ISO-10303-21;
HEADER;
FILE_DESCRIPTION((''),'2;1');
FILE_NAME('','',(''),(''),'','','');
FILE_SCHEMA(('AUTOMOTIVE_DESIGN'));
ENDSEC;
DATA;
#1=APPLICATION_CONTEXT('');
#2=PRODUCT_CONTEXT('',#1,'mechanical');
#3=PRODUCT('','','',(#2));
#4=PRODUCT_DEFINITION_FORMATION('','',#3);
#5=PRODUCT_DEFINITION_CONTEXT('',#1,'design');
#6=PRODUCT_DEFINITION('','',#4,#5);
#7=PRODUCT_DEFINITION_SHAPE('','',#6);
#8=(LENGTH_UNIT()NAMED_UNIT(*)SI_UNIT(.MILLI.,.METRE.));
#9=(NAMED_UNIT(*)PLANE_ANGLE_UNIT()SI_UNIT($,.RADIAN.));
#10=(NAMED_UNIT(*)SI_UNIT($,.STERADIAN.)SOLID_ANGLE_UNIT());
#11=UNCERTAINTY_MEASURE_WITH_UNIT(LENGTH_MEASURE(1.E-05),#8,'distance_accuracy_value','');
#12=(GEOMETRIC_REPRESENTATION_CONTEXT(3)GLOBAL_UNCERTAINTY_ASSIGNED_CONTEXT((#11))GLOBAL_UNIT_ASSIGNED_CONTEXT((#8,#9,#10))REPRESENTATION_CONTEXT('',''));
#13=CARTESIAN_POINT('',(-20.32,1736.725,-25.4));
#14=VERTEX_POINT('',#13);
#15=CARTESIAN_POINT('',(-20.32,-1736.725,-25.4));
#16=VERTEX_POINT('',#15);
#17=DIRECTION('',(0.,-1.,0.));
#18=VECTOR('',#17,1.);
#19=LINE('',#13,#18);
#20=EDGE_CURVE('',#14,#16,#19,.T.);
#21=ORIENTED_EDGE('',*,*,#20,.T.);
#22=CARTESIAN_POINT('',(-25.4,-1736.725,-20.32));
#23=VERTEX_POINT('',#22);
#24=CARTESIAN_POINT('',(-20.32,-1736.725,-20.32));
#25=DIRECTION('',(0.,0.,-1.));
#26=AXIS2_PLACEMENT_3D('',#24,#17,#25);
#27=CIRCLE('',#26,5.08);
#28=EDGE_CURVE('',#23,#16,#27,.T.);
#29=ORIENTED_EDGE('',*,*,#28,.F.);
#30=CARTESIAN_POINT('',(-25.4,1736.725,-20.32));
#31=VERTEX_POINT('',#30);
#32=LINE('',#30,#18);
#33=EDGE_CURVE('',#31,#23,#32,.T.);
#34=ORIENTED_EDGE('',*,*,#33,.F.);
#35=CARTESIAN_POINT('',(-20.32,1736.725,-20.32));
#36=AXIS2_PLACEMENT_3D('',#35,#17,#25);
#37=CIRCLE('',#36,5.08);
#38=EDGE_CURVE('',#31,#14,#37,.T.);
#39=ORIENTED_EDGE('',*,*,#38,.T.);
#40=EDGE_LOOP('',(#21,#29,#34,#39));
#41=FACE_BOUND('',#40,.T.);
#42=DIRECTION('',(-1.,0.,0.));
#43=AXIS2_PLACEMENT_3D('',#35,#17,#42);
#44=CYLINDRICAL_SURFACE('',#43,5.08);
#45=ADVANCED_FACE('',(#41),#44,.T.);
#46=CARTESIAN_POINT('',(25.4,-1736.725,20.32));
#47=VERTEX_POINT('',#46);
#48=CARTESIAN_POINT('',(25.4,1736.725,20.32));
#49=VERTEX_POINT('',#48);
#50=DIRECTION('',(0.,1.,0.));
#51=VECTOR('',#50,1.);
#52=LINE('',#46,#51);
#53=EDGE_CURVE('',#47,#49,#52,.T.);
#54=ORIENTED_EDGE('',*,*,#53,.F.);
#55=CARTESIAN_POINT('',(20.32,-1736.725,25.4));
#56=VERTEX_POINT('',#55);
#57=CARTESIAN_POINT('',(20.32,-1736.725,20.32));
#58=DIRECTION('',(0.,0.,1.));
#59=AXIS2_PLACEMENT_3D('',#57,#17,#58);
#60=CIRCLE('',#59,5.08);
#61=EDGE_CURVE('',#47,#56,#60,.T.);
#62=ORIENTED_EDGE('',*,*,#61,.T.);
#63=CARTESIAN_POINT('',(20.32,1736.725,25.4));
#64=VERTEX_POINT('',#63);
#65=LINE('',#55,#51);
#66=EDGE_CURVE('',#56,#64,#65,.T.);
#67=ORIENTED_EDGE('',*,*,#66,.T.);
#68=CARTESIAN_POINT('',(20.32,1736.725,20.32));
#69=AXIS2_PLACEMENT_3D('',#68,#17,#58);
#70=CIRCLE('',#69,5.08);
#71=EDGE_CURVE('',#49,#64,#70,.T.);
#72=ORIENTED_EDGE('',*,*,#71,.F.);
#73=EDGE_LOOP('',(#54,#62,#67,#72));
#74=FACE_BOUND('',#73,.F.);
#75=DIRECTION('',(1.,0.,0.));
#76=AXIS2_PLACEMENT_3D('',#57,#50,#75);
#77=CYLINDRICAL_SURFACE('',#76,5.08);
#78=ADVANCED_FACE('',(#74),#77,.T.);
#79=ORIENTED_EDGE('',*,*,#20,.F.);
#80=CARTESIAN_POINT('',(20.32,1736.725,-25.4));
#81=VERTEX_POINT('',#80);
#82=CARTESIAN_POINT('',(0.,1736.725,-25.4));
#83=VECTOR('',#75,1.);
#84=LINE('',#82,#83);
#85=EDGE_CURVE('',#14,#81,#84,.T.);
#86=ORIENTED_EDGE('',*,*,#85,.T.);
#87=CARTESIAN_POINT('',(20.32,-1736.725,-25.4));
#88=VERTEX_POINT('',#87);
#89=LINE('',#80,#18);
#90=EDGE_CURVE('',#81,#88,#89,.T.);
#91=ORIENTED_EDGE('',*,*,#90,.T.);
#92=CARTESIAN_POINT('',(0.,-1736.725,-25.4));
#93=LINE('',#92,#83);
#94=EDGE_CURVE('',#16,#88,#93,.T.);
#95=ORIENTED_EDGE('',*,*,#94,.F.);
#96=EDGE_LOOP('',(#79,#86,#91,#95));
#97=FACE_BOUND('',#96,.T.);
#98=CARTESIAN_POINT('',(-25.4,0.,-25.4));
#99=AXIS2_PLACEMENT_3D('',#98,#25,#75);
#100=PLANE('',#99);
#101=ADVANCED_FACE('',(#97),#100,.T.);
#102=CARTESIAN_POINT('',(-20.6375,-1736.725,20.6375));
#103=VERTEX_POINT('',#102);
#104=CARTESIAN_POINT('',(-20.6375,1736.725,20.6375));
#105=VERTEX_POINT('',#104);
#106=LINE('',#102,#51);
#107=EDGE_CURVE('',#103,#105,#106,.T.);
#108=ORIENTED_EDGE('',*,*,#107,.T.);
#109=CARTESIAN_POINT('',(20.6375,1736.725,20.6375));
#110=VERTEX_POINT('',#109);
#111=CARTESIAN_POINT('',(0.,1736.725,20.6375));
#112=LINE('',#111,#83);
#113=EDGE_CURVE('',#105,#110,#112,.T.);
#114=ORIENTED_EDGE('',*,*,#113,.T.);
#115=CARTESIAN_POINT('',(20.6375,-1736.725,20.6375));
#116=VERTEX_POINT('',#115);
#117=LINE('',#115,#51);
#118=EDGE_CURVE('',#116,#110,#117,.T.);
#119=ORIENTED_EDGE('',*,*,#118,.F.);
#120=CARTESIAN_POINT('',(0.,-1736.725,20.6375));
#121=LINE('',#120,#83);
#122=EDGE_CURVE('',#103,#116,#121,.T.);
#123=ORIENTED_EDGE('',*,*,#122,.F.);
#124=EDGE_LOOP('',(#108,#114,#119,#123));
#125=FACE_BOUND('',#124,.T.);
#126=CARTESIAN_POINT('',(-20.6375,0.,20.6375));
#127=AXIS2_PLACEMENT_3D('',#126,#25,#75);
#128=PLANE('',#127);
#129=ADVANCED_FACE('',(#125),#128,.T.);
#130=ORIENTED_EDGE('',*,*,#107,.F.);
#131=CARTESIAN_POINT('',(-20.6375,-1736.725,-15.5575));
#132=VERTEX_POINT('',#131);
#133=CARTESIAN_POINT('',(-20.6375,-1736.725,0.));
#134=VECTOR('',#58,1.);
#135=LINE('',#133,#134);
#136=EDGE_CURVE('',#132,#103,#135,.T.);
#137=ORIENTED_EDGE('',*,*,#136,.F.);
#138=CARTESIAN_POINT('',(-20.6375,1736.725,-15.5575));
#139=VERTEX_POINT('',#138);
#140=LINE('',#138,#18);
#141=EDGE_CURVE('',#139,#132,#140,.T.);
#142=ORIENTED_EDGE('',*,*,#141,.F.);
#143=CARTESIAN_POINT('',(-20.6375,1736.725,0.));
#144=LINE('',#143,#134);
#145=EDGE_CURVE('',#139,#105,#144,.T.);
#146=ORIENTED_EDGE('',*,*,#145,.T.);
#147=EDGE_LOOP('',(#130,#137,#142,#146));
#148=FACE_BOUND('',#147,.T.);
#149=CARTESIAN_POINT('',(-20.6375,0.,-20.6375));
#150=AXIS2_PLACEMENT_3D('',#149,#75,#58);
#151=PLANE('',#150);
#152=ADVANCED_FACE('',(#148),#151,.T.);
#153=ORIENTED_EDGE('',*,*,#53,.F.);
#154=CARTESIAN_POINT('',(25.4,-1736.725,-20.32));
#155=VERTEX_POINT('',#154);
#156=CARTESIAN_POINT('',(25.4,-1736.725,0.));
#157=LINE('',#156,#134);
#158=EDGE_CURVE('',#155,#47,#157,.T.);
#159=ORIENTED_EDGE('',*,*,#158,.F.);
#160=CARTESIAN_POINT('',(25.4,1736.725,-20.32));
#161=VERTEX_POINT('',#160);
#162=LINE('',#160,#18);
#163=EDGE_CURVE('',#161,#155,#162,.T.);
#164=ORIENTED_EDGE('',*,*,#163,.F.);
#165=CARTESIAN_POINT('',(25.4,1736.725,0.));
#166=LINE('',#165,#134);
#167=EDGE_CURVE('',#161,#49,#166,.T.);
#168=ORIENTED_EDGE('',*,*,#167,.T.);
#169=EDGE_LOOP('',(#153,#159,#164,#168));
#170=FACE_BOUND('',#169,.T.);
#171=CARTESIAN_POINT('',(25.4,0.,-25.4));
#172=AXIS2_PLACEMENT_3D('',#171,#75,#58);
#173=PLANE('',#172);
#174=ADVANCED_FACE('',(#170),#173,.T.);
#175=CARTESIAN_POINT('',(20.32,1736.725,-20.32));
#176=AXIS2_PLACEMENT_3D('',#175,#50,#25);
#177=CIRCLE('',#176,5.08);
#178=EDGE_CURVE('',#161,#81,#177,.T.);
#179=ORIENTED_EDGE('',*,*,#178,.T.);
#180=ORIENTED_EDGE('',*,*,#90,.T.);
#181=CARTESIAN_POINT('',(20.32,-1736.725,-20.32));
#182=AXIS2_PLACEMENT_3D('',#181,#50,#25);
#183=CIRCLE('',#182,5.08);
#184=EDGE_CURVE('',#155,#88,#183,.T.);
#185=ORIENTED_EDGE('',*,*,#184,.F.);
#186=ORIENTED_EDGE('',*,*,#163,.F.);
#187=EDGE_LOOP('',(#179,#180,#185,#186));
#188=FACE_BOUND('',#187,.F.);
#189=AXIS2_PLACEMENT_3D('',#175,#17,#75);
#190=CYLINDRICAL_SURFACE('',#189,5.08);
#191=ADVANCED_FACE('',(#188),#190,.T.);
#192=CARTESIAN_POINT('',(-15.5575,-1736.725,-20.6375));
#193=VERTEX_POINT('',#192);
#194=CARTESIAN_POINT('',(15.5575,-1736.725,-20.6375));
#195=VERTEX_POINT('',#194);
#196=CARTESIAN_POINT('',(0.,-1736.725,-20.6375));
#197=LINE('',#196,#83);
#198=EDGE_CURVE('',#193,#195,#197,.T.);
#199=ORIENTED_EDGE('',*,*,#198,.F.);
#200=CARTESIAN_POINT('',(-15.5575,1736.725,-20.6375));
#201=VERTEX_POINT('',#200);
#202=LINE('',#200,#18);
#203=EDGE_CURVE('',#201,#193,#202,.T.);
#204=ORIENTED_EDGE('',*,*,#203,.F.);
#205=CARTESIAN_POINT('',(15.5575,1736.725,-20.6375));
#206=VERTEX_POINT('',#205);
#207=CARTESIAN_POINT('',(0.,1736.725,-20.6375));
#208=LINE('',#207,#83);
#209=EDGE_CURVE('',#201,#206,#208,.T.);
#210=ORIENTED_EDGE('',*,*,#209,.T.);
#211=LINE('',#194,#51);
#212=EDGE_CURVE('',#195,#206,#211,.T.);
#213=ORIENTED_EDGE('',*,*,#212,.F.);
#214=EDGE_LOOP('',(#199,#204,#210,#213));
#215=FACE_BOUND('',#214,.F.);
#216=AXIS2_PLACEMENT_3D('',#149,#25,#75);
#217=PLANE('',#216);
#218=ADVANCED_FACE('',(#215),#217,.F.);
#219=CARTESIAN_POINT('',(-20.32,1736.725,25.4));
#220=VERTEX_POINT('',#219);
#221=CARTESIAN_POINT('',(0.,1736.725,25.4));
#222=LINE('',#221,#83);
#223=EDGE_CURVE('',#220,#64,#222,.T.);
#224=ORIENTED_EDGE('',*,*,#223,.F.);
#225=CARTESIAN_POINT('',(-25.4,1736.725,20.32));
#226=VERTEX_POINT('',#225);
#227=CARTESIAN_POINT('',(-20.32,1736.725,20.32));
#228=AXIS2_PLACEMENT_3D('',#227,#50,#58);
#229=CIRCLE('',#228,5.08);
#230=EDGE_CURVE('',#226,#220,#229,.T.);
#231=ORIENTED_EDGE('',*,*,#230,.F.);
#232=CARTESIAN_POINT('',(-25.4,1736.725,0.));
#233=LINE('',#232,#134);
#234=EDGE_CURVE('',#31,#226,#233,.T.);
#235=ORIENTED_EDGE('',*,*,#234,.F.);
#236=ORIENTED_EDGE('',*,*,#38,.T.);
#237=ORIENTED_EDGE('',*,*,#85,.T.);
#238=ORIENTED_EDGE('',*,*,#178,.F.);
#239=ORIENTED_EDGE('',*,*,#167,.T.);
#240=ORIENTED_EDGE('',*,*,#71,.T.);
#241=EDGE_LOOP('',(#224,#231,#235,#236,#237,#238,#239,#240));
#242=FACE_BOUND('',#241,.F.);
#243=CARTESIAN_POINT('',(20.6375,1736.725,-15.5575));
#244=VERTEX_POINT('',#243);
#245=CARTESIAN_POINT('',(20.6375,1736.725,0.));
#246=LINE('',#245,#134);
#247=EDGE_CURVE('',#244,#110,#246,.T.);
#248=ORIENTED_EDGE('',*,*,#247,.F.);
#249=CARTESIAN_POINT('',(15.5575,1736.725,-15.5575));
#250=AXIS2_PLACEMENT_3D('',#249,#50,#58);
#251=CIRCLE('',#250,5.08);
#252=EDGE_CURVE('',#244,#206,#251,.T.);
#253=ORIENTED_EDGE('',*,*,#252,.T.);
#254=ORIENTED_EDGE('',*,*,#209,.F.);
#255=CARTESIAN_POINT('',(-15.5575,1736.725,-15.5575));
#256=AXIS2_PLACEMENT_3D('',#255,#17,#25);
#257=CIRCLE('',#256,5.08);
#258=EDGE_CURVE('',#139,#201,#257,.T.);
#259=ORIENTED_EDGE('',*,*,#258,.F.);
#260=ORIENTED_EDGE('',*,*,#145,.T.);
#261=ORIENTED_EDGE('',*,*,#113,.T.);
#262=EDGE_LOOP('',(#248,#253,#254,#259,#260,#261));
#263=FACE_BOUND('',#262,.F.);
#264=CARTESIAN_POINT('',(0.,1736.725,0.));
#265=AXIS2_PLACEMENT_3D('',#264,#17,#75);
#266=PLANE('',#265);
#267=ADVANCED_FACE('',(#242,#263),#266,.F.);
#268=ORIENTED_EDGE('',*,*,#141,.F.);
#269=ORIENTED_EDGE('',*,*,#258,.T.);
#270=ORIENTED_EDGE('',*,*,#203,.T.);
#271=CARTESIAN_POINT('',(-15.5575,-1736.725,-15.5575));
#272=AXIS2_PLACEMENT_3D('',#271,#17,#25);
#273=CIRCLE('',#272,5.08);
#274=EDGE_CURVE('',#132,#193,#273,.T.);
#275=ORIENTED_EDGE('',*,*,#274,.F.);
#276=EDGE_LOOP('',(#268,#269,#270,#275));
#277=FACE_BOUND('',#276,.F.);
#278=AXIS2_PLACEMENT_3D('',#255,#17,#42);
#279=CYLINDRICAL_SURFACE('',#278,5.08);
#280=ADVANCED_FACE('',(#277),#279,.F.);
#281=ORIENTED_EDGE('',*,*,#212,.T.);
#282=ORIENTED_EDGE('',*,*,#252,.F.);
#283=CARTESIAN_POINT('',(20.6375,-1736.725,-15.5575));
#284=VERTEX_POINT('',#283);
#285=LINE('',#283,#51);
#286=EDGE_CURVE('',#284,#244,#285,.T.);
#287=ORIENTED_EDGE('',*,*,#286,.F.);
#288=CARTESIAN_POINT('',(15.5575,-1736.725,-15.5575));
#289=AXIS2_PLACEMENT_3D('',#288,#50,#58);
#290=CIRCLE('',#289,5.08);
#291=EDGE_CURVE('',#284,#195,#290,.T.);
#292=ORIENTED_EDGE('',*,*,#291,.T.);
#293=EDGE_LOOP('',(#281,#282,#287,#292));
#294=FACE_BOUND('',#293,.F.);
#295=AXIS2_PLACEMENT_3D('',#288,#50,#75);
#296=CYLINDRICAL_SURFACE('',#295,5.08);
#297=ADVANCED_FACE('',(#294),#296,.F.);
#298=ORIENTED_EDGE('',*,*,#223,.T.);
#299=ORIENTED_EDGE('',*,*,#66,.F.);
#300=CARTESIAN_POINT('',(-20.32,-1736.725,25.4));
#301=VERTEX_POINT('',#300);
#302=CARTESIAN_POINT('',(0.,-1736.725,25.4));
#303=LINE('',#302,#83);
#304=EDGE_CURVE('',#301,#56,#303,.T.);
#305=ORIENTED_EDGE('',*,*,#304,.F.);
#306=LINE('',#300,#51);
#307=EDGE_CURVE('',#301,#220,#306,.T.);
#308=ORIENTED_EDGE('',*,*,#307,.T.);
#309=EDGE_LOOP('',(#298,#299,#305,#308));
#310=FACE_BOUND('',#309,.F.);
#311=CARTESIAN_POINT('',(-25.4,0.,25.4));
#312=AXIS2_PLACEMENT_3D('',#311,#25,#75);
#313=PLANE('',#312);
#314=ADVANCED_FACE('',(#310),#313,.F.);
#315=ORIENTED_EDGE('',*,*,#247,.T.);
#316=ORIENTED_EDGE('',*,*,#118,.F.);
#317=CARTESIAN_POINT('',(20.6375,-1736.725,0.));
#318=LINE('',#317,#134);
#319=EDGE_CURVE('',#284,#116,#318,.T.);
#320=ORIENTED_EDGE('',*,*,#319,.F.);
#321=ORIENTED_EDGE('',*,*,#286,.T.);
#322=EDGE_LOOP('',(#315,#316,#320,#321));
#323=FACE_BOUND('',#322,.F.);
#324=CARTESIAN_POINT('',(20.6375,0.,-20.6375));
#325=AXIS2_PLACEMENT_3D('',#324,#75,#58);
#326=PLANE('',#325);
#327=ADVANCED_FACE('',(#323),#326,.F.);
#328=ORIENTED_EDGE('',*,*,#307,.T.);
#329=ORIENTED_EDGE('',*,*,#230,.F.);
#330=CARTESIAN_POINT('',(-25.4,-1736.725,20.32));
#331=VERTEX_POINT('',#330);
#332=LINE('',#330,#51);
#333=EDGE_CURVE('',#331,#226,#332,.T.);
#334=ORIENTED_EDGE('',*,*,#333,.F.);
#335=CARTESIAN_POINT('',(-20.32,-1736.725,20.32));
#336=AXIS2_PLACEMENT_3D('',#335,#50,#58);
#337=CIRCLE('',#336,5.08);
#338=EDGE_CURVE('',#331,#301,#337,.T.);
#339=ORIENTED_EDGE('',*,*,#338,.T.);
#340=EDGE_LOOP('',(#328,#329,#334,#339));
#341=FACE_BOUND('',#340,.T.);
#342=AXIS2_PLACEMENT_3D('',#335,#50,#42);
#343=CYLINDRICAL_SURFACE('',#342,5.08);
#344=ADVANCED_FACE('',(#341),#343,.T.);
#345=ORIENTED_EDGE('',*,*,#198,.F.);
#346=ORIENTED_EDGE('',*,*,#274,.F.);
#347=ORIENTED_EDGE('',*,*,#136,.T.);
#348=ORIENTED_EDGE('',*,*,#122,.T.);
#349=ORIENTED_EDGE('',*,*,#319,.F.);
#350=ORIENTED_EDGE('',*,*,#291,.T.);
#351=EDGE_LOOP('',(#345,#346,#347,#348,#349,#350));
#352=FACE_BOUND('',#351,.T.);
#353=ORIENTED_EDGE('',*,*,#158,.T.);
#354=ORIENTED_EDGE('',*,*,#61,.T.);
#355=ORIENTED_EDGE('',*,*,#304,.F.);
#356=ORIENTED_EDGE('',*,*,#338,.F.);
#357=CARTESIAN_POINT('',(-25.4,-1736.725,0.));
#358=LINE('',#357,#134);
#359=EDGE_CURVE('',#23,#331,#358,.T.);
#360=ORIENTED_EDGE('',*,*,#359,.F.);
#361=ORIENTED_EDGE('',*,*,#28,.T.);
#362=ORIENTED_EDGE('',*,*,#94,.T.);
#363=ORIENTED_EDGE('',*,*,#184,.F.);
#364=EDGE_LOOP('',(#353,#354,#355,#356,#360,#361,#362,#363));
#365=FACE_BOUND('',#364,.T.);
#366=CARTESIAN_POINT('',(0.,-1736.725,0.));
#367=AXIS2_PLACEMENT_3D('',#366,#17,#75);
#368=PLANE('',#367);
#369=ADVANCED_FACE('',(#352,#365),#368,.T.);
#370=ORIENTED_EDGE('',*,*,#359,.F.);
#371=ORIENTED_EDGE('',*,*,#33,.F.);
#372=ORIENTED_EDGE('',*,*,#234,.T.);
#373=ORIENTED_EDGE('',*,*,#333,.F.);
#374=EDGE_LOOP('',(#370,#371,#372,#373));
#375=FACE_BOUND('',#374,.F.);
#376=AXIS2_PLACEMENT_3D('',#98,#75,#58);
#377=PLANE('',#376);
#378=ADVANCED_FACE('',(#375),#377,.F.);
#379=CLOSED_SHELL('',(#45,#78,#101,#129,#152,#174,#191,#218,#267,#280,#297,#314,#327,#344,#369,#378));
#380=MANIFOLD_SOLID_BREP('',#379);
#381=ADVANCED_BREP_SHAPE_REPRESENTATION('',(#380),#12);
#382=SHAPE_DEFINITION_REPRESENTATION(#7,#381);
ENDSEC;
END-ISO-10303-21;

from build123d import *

# Parameters (mm, degrees)
F0_W     = 50.8
F0_H     = 50.8
F0_W_2   = 41.275
F0_H_2   = 41.275
F1_DEPTH = 1736.725
F2_R     = 5.08


with BuildPart() as f1:
    # F0 (on Front) → F1 (new body, symmetric)
    with BuildSketch(Plane.XZ):
        Rectangle(F0_W, F0_H)
        Rectangle(F0_W_2, F0_H_2, mode=Mode.SUBTRACT)
    extrude(amount=F1_DEPTH, both=True)

    # F2
    f2_edges = [f1.edges().sort_by_distance(p)[0] for p in [
        (-25.4, 0, 25.4),
        (25.4, 0, 25.4),
        (-20.6375, 0, -20.6375),
        (20.6375, 0, -20.6375),
        (25.4, 0, -25.4),
        (-25.4, 0, -25.4),
    ]]
    fillet(f2_edges, radius=F2_R)


solid = f1.part
